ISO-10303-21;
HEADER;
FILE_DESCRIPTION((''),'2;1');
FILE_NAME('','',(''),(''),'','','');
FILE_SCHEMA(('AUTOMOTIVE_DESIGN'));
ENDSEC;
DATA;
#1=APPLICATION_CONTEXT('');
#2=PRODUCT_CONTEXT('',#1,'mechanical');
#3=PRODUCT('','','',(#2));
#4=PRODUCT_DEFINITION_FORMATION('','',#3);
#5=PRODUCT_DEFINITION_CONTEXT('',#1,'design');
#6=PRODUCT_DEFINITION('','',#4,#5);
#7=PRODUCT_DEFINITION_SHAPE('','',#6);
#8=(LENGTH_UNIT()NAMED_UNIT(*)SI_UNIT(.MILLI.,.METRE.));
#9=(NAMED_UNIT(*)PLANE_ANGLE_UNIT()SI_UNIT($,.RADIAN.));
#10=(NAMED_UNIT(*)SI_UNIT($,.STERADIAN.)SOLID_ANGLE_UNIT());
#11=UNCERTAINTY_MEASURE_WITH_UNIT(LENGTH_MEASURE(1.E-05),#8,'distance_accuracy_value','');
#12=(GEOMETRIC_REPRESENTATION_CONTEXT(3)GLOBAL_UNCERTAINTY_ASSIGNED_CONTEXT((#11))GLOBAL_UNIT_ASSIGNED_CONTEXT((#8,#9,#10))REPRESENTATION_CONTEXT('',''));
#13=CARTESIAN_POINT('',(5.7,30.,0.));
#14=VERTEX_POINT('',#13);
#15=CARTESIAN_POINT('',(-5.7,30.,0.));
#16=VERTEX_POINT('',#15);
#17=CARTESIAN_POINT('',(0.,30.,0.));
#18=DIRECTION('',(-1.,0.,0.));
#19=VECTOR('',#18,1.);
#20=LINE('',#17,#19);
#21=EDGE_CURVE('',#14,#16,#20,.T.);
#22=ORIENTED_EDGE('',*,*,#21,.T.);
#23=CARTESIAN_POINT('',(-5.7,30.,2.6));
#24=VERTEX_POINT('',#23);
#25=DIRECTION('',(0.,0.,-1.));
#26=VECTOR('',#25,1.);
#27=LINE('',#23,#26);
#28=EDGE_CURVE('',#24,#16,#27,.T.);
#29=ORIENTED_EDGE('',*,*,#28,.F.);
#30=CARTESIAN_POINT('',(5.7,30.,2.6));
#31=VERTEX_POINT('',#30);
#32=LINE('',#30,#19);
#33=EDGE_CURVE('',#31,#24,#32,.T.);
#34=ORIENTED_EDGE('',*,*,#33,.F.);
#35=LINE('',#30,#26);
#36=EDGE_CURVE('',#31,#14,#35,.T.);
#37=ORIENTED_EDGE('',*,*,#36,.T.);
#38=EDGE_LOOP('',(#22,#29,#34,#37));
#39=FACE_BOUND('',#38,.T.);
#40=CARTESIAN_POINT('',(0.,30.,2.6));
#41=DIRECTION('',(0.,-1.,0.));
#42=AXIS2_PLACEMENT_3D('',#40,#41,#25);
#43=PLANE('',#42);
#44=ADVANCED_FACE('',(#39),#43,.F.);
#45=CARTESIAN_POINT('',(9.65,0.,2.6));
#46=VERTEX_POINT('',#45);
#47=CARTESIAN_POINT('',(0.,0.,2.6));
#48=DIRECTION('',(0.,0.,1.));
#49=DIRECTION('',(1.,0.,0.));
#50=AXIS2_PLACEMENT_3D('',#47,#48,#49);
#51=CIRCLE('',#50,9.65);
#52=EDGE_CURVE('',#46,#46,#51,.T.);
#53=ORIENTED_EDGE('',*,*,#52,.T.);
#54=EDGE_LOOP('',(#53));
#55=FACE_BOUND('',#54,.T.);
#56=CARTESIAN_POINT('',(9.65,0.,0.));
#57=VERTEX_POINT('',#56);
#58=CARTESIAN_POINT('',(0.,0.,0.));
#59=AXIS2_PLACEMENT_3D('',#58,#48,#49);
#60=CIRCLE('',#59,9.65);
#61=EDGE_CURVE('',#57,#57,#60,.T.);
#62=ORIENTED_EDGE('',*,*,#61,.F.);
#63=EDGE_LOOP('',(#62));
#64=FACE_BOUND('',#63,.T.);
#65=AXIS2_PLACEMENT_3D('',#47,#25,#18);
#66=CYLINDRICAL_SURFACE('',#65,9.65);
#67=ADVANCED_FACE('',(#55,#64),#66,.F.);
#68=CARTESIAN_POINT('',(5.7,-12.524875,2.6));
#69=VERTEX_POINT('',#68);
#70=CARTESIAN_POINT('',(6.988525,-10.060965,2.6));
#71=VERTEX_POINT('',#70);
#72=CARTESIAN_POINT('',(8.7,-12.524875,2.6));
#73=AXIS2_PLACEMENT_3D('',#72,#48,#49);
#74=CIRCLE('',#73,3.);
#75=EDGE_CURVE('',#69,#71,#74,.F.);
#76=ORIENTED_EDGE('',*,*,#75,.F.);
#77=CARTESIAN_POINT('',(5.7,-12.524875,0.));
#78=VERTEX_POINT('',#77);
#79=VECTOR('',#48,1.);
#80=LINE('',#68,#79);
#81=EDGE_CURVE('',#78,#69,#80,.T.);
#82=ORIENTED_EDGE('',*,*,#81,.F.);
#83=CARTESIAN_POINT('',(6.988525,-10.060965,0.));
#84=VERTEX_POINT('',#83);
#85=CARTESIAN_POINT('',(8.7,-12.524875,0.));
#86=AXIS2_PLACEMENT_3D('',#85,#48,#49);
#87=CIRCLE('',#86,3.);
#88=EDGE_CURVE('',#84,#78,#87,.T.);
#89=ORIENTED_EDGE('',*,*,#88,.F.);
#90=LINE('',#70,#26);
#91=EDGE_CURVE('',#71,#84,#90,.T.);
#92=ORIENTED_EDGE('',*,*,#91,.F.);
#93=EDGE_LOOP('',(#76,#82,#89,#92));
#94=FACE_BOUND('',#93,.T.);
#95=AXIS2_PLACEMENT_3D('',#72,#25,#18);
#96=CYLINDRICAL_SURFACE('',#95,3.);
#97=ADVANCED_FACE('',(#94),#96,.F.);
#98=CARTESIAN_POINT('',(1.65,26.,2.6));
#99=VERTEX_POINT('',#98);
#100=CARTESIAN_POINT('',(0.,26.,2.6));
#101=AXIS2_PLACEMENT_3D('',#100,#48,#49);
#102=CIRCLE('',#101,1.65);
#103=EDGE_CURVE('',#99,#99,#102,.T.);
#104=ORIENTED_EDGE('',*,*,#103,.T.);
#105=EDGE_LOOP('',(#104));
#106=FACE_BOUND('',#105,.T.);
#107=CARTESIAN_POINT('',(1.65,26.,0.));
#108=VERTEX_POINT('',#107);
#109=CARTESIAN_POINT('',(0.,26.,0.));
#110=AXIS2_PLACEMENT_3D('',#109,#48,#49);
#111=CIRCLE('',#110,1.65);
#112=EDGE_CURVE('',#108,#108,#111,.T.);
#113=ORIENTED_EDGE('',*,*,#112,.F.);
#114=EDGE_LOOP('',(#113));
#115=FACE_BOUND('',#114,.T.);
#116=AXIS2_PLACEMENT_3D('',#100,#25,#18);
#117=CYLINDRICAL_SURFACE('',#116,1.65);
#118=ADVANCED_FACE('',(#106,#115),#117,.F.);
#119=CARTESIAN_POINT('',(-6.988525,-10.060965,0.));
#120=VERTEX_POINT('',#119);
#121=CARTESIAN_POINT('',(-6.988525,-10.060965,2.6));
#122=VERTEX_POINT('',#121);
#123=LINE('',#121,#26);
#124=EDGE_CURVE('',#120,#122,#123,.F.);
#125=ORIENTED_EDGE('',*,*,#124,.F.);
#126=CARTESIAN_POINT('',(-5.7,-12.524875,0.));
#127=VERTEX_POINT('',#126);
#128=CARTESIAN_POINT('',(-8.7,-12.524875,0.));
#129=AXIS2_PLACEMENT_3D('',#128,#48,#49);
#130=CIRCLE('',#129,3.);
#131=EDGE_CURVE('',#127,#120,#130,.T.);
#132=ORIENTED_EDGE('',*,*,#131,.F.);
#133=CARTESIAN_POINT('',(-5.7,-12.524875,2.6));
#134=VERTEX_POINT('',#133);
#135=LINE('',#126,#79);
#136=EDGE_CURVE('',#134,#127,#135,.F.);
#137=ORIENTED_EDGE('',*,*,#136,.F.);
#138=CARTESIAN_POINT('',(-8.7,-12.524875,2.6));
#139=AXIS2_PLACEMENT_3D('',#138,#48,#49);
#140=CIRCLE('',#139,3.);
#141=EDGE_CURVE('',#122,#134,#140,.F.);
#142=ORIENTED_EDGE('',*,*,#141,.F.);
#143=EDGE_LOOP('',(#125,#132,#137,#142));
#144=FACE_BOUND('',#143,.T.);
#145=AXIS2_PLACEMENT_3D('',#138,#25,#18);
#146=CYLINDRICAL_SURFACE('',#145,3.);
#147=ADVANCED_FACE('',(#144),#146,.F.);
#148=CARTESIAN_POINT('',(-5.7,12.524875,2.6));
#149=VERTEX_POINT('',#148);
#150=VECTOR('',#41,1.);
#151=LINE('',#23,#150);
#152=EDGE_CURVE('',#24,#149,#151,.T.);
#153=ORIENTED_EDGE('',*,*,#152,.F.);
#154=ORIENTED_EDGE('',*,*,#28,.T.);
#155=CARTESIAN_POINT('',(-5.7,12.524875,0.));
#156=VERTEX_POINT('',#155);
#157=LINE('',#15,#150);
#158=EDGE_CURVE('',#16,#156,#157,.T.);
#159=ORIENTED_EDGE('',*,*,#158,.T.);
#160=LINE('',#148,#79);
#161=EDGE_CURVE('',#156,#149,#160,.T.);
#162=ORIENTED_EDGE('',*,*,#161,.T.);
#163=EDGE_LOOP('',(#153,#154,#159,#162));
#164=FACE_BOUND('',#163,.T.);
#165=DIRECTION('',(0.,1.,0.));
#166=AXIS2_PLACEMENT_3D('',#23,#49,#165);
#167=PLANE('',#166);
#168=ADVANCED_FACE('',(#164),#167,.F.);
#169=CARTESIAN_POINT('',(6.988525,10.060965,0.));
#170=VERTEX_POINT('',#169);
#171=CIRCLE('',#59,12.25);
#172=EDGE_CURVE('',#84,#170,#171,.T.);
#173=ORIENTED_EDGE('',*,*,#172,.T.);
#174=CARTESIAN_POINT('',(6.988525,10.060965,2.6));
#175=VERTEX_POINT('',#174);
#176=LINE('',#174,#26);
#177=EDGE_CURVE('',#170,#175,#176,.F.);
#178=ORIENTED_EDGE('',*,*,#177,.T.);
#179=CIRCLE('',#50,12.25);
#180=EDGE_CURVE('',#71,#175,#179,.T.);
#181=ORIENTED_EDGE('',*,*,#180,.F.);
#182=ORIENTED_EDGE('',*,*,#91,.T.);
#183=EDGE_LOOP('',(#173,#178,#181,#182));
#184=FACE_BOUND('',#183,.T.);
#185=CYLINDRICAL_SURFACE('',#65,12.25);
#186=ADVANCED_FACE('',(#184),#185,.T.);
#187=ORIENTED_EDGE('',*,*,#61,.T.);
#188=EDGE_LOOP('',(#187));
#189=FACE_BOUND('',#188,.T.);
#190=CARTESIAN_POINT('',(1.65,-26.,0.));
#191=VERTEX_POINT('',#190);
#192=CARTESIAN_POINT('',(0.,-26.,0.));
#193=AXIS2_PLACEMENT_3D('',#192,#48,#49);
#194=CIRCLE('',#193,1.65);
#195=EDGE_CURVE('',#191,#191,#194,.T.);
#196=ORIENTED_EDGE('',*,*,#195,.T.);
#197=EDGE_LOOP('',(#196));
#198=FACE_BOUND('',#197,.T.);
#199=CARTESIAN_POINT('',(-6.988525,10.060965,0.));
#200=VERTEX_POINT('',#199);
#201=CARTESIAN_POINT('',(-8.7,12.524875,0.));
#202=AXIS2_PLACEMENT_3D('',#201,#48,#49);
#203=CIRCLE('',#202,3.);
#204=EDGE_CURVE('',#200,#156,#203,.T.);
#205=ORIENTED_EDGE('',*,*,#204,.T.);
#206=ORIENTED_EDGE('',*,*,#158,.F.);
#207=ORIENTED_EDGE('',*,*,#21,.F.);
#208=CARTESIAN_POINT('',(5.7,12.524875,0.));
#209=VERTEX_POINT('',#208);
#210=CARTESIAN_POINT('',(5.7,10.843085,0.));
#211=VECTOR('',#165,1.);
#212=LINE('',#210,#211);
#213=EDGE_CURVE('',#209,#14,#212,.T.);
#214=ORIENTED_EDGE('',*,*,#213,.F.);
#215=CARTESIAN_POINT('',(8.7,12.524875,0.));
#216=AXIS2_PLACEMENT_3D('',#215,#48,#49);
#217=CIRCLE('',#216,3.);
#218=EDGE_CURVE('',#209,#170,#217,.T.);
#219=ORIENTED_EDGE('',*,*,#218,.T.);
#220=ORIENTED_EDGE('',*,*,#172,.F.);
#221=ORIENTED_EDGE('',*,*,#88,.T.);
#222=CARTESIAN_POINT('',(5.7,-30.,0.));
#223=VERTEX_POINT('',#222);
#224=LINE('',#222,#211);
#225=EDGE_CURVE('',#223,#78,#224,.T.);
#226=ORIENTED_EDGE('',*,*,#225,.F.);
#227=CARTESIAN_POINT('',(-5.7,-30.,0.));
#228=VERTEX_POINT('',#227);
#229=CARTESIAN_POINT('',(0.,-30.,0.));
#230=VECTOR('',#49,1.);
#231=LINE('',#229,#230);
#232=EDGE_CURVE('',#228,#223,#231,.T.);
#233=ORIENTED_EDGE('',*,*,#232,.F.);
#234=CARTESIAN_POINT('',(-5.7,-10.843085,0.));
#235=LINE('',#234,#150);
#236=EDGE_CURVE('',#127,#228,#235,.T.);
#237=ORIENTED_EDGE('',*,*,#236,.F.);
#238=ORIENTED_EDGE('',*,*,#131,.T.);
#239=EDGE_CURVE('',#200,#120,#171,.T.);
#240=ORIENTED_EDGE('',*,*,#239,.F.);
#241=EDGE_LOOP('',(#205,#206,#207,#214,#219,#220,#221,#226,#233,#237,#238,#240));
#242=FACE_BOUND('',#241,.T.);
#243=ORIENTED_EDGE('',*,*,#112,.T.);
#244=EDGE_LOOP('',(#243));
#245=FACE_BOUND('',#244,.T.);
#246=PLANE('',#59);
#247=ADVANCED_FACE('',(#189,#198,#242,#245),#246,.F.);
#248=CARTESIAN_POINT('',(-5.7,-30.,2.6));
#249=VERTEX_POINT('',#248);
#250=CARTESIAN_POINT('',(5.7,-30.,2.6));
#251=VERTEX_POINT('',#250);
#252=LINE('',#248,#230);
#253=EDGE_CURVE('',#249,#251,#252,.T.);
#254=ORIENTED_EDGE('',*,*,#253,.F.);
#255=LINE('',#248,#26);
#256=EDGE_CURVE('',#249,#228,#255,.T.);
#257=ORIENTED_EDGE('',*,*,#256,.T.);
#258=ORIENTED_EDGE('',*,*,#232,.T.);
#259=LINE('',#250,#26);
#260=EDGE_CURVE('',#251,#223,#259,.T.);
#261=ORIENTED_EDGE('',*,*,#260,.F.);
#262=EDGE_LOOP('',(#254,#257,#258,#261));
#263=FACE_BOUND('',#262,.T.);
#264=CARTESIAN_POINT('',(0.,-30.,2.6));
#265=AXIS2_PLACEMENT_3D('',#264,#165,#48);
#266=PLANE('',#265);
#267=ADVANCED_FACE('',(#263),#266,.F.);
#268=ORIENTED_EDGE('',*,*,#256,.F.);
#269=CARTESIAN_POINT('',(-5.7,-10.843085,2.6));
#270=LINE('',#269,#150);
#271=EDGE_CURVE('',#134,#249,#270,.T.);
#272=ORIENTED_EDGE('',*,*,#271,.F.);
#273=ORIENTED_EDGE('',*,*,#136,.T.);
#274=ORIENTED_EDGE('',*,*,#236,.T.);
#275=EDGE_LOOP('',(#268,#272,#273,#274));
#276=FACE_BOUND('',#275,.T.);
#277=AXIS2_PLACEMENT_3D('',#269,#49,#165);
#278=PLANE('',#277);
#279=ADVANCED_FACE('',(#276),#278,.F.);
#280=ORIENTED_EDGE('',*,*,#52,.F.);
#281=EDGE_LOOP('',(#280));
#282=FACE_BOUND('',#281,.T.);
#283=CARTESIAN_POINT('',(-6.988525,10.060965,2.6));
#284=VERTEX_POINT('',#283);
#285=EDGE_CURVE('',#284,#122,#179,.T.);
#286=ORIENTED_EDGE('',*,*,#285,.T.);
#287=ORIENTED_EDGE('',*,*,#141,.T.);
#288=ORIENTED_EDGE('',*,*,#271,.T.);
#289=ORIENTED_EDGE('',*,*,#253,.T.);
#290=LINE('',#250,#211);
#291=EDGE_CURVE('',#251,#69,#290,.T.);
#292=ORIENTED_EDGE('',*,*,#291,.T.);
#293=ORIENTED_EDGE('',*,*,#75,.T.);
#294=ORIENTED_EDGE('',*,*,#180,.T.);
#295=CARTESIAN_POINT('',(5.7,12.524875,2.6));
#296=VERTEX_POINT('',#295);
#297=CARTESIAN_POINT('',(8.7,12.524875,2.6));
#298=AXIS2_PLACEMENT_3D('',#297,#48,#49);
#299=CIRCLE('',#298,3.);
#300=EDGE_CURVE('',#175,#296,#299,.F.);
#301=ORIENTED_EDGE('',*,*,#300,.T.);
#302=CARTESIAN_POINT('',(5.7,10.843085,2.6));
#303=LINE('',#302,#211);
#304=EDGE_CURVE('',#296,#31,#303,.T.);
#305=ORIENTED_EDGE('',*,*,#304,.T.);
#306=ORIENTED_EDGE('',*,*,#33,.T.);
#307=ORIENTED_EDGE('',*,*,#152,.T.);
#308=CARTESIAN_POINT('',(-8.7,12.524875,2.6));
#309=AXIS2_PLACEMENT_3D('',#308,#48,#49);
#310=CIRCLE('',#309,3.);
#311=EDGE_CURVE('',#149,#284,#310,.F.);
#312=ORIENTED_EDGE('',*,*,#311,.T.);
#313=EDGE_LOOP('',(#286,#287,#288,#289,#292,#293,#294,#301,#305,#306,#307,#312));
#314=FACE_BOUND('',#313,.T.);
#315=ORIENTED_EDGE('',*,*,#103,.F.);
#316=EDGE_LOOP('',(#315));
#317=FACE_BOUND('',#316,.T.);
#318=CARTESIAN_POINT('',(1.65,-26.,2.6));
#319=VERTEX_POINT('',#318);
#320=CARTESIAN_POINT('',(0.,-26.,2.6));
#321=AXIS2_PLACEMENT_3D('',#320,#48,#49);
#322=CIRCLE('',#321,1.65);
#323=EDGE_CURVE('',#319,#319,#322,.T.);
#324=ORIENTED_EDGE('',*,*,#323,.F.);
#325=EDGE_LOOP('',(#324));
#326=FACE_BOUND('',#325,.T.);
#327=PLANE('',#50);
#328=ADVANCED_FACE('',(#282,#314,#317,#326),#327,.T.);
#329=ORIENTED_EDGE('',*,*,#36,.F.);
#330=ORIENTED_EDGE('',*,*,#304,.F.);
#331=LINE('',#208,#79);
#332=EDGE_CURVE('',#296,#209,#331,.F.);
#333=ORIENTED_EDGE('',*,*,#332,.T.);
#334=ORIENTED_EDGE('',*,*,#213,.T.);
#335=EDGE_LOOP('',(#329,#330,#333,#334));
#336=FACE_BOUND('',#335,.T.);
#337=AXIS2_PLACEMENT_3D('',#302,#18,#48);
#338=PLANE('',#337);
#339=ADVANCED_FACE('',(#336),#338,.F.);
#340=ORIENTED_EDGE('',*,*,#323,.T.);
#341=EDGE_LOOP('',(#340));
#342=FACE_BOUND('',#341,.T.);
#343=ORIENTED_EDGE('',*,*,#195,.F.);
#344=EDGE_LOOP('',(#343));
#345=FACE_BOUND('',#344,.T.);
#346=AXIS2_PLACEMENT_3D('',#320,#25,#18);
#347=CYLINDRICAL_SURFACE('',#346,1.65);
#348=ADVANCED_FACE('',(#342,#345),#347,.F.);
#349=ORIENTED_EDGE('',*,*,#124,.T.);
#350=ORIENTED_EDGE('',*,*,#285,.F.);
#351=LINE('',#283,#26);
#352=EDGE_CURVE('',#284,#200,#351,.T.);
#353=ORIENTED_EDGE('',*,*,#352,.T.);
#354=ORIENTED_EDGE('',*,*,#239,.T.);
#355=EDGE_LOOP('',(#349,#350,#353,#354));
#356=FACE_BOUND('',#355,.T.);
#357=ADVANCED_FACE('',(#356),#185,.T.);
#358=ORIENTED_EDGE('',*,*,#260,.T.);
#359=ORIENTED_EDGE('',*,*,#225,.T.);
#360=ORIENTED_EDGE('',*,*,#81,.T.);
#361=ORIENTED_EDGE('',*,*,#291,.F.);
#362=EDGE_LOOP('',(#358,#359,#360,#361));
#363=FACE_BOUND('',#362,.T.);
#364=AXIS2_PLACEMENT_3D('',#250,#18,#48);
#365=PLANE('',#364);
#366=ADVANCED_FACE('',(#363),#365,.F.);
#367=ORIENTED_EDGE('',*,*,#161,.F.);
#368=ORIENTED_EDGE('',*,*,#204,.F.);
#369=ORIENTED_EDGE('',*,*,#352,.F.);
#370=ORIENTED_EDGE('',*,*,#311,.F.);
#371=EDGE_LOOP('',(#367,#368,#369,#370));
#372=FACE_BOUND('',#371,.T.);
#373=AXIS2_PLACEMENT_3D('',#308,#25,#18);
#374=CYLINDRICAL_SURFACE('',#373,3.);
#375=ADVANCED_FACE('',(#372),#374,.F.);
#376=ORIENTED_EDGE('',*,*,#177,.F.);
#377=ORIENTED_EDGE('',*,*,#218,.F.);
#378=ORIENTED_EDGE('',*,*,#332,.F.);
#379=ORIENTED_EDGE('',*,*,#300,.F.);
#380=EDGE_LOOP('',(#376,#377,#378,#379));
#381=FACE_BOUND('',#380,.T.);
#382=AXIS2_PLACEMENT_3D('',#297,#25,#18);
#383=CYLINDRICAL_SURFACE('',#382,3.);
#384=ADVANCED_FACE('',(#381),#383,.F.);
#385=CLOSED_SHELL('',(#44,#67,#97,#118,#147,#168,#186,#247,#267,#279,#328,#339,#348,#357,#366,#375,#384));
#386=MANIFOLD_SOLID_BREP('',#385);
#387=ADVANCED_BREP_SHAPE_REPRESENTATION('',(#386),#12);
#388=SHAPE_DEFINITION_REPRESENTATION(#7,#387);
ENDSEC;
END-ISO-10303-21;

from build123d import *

# Parameters (mm, degrees)
SKETCH_1_R      = 9.65
SKETCH_1_R_2    = 1.65
EXTRUDE_1_DEPTH = 2.6
FILLET_1_R      = 3


with BuildPart() as part:
    # 草图1 → 凸台-拉伸1 (new body)
    with BuildSketch(Plane.XY):
        with BuildLine():
            Line((0, 30), (-5.7, 30))
            Line((-5.7, 30), (-5.7, 10.843085354))
            ThreePointArc((-5.7, 10.843085354), (-12.25, 0), (-5.7, -10.843085354))
            Line((-5.7, -10.843085354), (-5.7, -30))
            Line((-5.7, -30), (0, -30))
            Line((0, -30), (5.7, -30))
            Line((5.7, -30), (5.7, -10.843085354))
            ThreePointArc((5.7, -10.843085354), (12.25, 0), (5.7, 10.843085354))
            Line((5.7, 10.843085354), (5.7, 30))
            Line((5.7, 30), (0, 30))
        make_face()
        Circle(SKETCH_1_R, mode=Mode.SUBTRACT)
        with Locations((0, 26)):
            Circle(SKETCH_1_R_2, mode=Mode.SUBTRACT)
        with Locations((0, -26)):
            Circle(SKETCH_1_R_2, mode=Mode.SUBTRACT)
    extrude(amount=EXTRUDE_1_DEPTH)

    # 圆角1
    fillet_1_edges = [part.edges().sort_by_distance(p)[0] for p in [
        (5.7, -10.843085354, 1.3),
        (-5.7, -10.843085354, 1.3),
        (-5.7, 10.843085354, 1.3),
        (5.7, 10.843085354, 1.3),
    ]]
    fillet(fillet_1_edges, radius=FILLET_1_R)


solid = part.part
